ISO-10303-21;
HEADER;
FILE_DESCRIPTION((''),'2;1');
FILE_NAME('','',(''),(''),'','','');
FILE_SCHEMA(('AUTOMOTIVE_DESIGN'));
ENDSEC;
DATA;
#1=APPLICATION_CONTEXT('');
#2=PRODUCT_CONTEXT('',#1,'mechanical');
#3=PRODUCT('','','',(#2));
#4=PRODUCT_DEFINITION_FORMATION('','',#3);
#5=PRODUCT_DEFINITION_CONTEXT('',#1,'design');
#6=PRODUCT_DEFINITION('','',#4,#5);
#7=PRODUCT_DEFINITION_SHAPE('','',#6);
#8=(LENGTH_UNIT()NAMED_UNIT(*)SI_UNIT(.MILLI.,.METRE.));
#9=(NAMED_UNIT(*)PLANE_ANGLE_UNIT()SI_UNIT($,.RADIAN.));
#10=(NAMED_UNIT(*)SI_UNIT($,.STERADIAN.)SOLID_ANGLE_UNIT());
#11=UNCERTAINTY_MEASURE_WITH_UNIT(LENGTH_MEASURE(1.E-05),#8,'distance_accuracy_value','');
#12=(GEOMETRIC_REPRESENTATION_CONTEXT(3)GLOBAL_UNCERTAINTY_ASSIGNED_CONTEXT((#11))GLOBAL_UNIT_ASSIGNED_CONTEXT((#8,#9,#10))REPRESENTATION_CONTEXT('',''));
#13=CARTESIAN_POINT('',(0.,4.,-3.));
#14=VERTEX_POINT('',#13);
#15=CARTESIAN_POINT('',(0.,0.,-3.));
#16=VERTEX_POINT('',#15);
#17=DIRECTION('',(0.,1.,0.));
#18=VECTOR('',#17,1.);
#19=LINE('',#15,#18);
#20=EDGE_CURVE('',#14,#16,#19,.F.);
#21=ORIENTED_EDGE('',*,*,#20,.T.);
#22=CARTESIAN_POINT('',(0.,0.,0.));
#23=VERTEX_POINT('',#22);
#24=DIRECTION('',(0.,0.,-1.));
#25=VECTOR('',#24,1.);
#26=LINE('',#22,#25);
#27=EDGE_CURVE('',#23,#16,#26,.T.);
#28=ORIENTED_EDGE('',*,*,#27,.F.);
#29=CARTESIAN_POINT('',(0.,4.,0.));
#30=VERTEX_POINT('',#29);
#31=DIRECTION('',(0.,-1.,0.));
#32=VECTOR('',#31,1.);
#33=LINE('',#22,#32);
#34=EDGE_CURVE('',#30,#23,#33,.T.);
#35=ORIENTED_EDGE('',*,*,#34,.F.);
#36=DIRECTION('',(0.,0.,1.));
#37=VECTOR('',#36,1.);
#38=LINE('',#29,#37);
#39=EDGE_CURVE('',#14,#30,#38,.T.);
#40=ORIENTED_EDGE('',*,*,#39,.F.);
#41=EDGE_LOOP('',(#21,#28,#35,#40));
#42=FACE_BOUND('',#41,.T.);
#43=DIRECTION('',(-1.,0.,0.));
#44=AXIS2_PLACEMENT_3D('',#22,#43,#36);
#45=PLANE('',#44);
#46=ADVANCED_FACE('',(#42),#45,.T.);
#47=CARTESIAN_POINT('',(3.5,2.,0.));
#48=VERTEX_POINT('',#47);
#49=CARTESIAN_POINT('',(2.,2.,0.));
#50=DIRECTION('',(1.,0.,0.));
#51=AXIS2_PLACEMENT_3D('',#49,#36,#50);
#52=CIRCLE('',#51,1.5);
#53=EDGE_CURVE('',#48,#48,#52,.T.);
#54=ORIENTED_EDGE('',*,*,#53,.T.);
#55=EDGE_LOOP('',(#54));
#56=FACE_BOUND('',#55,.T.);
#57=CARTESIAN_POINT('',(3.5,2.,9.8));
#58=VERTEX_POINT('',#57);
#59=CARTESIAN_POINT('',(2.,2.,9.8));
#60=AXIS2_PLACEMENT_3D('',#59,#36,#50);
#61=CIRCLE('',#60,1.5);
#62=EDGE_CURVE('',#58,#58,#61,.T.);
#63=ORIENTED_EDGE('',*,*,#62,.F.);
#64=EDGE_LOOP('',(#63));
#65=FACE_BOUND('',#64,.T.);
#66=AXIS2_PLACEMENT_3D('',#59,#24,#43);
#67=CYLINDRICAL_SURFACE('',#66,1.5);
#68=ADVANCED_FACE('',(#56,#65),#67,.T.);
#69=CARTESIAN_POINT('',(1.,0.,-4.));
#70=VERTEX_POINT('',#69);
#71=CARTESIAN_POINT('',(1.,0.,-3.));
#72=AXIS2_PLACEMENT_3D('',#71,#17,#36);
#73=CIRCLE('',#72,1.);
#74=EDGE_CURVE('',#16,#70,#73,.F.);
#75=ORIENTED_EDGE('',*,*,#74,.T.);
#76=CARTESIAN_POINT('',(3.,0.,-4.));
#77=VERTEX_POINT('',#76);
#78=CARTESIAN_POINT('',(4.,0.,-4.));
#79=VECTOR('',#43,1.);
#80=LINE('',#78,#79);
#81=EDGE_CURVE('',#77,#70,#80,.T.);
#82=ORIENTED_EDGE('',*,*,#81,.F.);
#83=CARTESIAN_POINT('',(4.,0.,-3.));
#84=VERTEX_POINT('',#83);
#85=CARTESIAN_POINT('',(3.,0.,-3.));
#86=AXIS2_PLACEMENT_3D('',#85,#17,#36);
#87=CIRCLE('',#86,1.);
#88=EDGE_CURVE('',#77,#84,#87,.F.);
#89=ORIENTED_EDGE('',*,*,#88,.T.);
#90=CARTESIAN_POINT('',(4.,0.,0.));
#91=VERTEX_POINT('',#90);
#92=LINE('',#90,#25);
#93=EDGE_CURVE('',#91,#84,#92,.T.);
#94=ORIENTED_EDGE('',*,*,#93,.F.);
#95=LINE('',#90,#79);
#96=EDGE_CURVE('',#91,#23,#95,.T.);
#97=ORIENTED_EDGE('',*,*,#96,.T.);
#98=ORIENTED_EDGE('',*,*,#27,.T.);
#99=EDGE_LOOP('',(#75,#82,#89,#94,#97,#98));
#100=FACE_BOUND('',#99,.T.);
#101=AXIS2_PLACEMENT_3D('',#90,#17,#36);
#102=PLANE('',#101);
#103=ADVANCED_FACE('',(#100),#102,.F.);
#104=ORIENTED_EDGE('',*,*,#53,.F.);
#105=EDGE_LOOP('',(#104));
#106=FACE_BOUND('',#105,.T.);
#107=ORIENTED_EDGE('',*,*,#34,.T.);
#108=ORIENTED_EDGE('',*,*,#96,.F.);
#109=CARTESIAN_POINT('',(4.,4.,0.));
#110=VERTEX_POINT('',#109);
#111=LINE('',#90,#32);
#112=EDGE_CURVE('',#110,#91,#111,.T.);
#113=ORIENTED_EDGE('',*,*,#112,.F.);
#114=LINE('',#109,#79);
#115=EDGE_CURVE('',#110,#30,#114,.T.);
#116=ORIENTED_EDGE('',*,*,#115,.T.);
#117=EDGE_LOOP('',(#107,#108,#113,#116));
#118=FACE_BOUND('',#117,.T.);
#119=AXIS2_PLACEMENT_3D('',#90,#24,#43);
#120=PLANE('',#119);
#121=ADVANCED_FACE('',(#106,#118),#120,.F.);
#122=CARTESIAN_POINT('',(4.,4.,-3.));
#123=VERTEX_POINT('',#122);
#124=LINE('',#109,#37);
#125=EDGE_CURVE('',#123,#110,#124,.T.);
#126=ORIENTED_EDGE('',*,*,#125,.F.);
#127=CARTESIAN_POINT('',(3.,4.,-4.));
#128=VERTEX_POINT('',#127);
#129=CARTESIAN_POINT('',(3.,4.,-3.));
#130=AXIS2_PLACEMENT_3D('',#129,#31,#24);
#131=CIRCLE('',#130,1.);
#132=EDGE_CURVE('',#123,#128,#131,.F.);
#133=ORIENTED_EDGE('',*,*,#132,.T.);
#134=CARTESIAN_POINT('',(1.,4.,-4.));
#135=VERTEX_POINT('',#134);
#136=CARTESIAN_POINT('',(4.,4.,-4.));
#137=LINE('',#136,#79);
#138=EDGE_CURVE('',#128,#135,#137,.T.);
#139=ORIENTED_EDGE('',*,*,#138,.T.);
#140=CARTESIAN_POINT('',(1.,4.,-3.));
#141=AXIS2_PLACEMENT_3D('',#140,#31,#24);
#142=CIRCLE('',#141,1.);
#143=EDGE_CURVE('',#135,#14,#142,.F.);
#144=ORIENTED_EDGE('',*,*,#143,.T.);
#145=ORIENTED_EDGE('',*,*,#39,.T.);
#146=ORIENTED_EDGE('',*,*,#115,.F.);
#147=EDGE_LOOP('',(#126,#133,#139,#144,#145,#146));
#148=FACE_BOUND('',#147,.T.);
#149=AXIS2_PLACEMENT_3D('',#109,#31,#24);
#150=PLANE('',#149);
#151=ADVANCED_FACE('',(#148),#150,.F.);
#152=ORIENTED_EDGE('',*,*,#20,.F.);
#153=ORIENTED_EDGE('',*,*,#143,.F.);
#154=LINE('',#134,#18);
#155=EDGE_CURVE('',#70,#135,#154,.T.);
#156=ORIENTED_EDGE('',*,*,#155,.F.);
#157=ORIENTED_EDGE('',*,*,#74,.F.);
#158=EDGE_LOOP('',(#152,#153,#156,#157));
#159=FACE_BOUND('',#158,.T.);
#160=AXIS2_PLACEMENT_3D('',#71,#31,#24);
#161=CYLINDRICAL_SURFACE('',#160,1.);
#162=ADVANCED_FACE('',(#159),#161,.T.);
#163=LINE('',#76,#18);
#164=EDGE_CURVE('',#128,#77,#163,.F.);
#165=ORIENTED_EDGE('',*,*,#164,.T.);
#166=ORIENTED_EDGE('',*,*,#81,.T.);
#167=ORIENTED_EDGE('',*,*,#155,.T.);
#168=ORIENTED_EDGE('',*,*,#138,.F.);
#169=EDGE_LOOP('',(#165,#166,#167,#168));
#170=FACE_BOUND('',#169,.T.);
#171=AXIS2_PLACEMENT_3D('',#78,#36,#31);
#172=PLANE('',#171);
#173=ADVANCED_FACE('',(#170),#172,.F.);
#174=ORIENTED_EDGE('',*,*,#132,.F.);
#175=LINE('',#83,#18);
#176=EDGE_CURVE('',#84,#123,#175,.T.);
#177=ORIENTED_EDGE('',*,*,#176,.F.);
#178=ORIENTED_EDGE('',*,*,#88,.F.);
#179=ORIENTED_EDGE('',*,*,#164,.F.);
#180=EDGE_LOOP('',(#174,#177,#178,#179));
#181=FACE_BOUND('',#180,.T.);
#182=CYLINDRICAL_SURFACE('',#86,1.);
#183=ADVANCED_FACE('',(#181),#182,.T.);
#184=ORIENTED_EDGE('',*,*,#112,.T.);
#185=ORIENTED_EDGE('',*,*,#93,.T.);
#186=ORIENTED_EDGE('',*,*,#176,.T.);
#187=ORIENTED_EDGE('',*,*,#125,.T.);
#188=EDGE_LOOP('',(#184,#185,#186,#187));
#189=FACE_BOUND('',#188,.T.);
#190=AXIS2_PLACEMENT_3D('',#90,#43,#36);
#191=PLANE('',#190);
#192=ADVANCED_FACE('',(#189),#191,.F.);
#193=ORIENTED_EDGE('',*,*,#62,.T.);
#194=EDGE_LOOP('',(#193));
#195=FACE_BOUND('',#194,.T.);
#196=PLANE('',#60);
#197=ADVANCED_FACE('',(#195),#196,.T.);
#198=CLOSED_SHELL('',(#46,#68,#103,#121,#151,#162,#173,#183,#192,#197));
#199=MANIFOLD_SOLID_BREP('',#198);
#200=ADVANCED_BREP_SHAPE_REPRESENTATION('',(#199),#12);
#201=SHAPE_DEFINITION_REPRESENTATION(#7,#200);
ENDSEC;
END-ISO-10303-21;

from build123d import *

# Parameters (mm, degrees)
SKETCH2_W           = 4
SKETCH2_H           = 4
BOSS_EXTRUDE1_DEPTH = 4
FILLET1_R           = 1
SKETCH3_R           = 1.5
BOSS_EXTRUDE2_DEPTH = 9.8


with BuildPart() as part:
    # Sketch2 → Boss-Extrude1 (new body)
    with BuildSketch(Plane(origin=(0, 0, 0), x_dir=(0, 0, -1), z_dir=(1, 0, 0))):
        with Locations((2, 2)):
            Rectangle(SKETCH2_W, SKETCH2_H)
    extrude(amount=BOSS_EXTRUDE1_DEPTH)

    # Fillet1
    fillet1_edges = [part.edges().sort_by_distance(p)[0] for p in [
        (4, 2, -4),
        (0, 2, -4),
    ]]
    fillet(fillet1_edges, radius=FILLET1_R)

    # Sketch3 → Boss-Extrude2 (add)
    with BuildSketch(Plane.XY):
        with Locations((2, 2)):
            Circle(SKETCH3_R)
    extrude(amount=BOSS_EXTRUDE2_DEPTH)


solid = part.part
